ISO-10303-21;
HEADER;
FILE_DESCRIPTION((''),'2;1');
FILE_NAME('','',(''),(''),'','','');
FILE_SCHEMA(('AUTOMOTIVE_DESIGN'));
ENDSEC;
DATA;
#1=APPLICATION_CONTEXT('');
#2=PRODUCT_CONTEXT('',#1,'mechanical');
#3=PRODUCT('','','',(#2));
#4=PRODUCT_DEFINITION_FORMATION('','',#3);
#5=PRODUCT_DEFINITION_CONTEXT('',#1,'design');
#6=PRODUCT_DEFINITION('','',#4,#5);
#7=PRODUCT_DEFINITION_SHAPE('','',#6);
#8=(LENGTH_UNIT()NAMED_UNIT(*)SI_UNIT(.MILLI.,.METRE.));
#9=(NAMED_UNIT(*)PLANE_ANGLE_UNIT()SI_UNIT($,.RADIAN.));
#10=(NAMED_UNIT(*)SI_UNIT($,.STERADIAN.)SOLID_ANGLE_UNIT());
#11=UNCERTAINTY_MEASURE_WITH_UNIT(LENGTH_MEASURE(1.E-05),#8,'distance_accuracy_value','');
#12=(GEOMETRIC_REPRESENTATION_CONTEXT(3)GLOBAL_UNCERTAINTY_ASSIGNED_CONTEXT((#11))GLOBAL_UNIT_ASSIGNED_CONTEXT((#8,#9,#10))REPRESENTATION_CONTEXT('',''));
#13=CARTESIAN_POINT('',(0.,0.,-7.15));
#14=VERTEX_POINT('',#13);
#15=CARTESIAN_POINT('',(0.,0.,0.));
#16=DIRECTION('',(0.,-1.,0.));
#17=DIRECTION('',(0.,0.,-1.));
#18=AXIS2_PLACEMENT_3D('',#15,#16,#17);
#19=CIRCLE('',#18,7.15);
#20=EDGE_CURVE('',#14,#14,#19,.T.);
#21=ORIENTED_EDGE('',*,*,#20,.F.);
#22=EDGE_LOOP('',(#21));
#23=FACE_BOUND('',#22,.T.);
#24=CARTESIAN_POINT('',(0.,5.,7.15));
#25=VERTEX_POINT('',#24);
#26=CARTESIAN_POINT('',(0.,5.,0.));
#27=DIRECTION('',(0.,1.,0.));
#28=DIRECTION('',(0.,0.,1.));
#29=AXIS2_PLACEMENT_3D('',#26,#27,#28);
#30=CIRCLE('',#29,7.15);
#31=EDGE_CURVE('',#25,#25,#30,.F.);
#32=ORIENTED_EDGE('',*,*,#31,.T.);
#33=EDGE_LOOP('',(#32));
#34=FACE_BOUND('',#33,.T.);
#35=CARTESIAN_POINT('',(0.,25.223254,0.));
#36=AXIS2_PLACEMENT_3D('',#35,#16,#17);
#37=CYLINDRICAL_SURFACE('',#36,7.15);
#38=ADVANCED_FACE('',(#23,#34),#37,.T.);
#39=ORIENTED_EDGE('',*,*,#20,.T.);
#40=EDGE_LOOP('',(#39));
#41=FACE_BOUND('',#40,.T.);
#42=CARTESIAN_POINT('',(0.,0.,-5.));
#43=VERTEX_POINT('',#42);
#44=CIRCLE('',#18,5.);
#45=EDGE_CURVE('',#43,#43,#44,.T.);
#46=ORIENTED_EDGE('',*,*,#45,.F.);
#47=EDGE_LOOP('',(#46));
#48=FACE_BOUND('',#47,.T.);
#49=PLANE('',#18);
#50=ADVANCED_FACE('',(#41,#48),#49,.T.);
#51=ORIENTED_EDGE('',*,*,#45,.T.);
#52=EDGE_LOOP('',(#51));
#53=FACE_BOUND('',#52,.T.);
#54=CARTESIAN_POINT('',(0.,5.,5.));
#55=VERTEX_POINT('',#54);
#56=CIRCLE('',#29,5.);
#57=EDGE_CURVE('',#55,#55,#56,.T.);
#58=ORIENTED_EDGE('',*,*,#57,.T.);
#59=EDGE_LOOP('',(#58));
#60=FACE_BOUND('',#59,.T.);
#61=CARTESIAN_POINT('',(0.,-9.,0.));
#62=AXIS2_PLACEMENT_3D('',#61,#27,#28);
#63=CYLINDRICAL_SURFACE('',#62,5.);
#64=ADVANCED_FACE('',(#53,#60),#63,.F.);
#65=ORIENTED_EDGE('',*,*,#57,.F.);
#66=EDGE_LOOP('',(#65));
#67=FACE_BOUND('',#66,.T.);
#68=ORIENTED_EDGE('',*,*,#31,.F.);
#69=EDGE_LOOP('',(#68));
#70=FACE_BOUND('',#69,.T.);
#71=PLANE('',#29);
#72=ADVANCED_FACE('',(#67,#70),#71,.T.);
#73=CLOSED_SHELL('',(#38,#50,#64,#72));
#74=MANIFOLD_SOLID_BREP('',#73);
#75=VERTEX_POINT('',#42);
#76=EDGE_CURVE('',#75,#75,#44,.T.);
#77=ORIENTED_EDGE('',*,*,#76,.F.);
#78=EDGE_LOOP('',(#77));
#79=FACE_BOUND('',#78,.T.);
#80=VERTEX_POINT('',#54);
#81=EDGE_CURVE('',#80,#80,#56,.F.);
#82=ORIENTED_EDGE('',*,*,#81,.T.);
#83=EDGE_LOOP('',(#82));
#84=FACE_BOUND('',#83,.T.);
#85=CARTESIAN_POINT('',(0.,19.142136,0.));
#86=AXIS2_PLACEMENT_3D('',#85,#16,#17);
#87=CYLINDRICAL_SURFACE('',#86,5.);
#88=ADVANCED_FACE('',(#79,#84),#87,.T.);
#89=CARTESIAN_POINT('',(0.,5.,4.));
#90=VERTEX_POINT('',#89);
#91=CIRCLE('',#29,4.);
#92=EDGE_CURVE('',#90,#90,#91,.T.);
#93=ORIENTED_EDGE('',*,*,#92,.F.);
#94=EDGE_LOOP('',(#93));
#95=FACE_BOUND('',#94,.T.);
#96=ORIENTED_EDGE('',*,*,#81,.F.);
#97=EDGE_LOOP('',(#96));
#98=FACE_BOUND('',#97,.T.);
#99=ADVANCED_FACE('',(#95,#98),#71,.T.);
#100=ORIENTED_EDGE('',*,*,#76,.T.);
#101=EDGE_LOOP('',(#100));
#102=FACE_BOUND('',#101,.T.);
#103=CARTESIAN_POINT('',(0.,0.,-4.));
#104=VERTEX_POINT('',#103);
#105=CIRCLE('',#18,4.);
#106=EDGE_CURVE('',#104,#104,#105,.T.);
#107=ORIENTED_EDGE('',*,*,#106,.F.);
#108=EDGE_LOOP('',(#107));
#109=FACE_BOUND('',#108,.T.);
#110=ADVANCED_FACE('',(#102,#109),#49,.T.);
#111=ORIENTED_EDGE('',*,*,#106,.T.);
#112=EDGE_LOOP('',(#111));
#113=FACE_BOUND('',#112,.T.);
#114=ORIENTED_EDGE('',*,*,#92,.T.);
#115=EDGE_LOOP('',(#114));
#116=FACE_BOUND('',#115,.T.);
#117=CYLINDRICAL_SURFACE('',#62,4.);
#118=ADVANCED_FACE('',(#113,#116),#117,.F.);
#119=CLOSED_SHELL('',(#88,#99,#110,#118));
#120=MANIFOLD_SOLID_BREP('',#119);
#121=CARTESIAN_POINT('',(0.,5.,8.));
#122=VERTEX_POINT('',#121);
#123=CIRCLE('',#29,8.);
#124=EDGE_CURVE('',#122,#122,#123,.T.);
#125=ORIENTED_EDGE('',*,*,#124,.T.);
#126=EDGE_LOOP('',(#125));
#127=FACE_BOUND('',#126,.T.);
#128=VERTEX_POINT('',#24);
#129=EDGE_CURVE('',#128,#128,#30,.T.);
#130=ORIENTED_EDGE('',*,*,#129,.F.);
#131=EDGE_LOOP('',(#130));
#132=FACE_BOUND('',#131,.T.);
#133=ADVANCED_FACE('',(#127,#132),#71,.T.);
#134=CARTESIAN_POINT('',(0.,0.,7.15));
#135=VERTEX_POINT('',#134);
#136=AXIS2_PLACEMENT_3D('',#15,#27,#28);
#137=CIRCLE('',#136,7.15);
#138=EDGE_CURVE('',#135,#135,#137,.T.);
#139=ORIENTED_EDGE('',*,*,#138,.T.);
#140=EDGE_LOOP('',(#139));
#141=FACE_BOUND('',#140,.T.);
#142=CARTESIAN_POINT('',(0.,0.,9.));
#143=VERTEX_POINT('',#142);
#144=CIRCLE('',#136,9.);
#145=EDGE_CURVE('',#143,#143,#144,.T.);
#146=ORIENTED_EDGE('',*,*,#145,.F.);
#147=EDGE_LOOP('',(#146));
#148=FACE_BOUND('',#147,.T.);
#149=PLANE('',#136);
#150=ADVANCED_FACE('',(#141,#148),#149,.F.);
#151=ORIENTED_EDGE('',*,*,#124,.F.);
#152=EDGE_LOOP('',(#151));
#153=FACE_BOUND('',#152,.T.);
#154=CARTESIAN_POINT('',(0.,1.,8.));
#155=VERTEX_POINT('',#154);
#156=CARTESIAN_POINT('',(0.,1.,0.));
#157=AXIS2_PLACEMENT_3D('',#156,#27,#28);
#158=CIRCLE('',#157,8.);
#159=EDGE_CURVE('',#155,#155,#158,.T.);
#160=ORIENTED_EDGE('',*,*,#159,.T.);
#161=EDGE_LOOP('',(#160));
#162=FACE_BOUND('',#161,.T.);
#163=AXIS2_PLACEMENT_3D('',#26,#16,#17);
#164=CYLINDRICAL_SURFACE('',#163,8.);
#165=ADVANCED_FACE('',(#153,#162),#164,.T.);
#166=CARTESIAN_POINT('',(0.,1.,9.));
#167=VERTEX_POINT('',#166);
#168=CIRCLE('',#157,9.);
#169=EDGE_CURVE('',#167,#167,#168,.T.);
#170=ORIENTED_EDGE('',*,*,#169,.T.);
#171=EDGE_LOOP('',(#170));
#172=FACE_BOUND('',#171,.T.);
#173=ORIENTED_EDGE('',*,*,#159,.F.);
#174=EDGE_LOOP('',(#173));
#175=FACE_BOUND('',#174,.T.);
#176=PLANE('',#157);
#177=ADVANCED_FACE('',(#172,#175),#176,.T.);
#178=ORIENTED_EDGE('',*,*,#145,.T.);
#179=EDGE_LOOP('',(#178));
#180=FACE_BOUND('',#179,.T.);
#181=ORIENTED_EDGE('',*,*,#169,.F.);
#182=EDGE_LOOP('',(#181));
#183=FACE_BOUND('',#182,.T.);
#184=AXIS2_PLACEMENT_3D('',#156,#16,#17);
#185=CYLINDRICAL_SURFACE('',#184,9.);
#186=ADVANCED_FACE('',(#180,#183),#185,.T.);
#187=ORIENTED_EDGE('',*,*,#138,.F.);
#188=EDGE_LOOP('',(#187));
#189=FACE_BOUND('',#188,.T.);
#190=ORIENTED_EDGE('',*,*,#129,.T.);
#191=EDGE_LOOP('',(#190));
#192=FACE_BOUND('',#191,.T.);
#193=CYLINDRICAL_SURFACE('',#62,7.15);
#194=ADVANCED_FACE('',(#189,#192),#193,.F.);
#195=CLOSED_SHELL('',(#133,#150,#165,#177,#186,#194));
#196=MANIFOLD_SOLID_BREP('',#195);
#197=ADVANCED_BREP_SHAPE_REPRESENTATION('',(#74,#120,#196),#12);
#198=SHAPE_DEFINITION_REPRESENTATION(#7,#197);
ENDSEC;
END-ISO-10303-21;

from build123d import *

# Parameters (mm, degrees)
SKETCH1_R           = 9
BOSS_EXTRUDE1_DEPTH = 1
SKETCH2_R           = 8
BOSS_EXTRUDE2_DEPTH = 4
SKETCH3_R           = 7.15
CUT_EXTRUDE1_DEPTH  = 14
SKETCH4_R           = 7.15
BOSS_EXTRUDE3_DEPTH = 5
SKETCH5_R           = 5
CUT_EXTRUDE2_DEPTH  = 14
SKETCH6_R           = 5
BOSS_EXTRUDE4_DEPTH = 5
SKETCH7_R           = 4
CUT_EXTRUDE3_DEPTH  = 14


with BuildPart() as part:
    # Sketch1 → Boss-Extrude1 (new body)
    with BuildSketch(Plane(origin=(0, 0, 0), x_dir=(1, 0, 0), z_dir=(0, 1, 0))):
        with Locations(Location((0, 0, 0), (0, 0, 270))):
            Circle(SKETCH1_R)
    extrude(amount=BOSS_EXTRUDE1_DEPTH)

    # Sketch2 → Boss-Extrude2 (add)
    with BuildSketch(Plane(origin=(0, 1, 0), x_dir=(1, 0, 0), z_dir=(0, 1, 0))):
        with Locations(Location((0, 0, 0), (0, 0, 270))):
            Circle(SKETCH2_R)
    extrude(amount=BOSS_EXTRUDE2_DEPTH)

    # Sketch3 → Cut-Extrude1 (cut)
    with BuildSketch(Plane(origin=(0, 5, 0), x_dir=(1, 0, 0), z_dir=(0, 1, 0))):
        with Locations(Location((0, 0, 0), (0, 0, 270))):
            Circle(SKETCH3_R)
    extrude(amount=-CUT_EXTRUDE1_DEPTH, mode=Mode.SUBTRACT)


with BuildPart() as body_2:
    # Sketch4 → Boss-Extrude3 (new body)
    with BuildSketch(Plane.XZ):
        with Locations(Location((0, 0, 0), (0, 0, 270))):
            Circle(SKETCH4_R)
    extrude(amount=-BOSS_EXTRUDE3_DEPTH)

    # Sketch5 → Cut-Extrude2 (cut)
    with BuildSketch(Plane(origin=(0, 5, 0), x_dir=(1, 0, 0), z_dir=(0, 1, 0))):
        with Locations(Location((0, 0, 0), (0, 0, 270))):
            Circle(SKETCH5_R)
    extrude(amount=-CUT_EXTRUDE2_DEPTH, mode=Mode.SUBTRACT)


with BuildPart() as body_3:
    # Sketch6 → Boss-Extrude4 (new body)
    with BuildSketch(Plane.XZ):
        with Locations(Location((0, 0, 0), (0, 0, 270))):
            Circle(SKETCH6_R)
    extrude(amount=-BOSS_EXTRUDE4_DEPTH)

    # Sketch7 → Cut-Extrude3 (cut)
    with BuildSketch(Plane(origin=(0, 5, 0), x_dir=(1, 0, 0), z_dir=(0, 1, 0))):
        with Locations(Location((0, 0, 0), (0, 0, 270))):
            Circle(SKETCH7_R)
    extrude(amount=-CUT_EXTRUDE3_DEPTH, mode=Mode.SUBTRACT)


solid = Compound([part.part, body_2.part, body_3.part])
